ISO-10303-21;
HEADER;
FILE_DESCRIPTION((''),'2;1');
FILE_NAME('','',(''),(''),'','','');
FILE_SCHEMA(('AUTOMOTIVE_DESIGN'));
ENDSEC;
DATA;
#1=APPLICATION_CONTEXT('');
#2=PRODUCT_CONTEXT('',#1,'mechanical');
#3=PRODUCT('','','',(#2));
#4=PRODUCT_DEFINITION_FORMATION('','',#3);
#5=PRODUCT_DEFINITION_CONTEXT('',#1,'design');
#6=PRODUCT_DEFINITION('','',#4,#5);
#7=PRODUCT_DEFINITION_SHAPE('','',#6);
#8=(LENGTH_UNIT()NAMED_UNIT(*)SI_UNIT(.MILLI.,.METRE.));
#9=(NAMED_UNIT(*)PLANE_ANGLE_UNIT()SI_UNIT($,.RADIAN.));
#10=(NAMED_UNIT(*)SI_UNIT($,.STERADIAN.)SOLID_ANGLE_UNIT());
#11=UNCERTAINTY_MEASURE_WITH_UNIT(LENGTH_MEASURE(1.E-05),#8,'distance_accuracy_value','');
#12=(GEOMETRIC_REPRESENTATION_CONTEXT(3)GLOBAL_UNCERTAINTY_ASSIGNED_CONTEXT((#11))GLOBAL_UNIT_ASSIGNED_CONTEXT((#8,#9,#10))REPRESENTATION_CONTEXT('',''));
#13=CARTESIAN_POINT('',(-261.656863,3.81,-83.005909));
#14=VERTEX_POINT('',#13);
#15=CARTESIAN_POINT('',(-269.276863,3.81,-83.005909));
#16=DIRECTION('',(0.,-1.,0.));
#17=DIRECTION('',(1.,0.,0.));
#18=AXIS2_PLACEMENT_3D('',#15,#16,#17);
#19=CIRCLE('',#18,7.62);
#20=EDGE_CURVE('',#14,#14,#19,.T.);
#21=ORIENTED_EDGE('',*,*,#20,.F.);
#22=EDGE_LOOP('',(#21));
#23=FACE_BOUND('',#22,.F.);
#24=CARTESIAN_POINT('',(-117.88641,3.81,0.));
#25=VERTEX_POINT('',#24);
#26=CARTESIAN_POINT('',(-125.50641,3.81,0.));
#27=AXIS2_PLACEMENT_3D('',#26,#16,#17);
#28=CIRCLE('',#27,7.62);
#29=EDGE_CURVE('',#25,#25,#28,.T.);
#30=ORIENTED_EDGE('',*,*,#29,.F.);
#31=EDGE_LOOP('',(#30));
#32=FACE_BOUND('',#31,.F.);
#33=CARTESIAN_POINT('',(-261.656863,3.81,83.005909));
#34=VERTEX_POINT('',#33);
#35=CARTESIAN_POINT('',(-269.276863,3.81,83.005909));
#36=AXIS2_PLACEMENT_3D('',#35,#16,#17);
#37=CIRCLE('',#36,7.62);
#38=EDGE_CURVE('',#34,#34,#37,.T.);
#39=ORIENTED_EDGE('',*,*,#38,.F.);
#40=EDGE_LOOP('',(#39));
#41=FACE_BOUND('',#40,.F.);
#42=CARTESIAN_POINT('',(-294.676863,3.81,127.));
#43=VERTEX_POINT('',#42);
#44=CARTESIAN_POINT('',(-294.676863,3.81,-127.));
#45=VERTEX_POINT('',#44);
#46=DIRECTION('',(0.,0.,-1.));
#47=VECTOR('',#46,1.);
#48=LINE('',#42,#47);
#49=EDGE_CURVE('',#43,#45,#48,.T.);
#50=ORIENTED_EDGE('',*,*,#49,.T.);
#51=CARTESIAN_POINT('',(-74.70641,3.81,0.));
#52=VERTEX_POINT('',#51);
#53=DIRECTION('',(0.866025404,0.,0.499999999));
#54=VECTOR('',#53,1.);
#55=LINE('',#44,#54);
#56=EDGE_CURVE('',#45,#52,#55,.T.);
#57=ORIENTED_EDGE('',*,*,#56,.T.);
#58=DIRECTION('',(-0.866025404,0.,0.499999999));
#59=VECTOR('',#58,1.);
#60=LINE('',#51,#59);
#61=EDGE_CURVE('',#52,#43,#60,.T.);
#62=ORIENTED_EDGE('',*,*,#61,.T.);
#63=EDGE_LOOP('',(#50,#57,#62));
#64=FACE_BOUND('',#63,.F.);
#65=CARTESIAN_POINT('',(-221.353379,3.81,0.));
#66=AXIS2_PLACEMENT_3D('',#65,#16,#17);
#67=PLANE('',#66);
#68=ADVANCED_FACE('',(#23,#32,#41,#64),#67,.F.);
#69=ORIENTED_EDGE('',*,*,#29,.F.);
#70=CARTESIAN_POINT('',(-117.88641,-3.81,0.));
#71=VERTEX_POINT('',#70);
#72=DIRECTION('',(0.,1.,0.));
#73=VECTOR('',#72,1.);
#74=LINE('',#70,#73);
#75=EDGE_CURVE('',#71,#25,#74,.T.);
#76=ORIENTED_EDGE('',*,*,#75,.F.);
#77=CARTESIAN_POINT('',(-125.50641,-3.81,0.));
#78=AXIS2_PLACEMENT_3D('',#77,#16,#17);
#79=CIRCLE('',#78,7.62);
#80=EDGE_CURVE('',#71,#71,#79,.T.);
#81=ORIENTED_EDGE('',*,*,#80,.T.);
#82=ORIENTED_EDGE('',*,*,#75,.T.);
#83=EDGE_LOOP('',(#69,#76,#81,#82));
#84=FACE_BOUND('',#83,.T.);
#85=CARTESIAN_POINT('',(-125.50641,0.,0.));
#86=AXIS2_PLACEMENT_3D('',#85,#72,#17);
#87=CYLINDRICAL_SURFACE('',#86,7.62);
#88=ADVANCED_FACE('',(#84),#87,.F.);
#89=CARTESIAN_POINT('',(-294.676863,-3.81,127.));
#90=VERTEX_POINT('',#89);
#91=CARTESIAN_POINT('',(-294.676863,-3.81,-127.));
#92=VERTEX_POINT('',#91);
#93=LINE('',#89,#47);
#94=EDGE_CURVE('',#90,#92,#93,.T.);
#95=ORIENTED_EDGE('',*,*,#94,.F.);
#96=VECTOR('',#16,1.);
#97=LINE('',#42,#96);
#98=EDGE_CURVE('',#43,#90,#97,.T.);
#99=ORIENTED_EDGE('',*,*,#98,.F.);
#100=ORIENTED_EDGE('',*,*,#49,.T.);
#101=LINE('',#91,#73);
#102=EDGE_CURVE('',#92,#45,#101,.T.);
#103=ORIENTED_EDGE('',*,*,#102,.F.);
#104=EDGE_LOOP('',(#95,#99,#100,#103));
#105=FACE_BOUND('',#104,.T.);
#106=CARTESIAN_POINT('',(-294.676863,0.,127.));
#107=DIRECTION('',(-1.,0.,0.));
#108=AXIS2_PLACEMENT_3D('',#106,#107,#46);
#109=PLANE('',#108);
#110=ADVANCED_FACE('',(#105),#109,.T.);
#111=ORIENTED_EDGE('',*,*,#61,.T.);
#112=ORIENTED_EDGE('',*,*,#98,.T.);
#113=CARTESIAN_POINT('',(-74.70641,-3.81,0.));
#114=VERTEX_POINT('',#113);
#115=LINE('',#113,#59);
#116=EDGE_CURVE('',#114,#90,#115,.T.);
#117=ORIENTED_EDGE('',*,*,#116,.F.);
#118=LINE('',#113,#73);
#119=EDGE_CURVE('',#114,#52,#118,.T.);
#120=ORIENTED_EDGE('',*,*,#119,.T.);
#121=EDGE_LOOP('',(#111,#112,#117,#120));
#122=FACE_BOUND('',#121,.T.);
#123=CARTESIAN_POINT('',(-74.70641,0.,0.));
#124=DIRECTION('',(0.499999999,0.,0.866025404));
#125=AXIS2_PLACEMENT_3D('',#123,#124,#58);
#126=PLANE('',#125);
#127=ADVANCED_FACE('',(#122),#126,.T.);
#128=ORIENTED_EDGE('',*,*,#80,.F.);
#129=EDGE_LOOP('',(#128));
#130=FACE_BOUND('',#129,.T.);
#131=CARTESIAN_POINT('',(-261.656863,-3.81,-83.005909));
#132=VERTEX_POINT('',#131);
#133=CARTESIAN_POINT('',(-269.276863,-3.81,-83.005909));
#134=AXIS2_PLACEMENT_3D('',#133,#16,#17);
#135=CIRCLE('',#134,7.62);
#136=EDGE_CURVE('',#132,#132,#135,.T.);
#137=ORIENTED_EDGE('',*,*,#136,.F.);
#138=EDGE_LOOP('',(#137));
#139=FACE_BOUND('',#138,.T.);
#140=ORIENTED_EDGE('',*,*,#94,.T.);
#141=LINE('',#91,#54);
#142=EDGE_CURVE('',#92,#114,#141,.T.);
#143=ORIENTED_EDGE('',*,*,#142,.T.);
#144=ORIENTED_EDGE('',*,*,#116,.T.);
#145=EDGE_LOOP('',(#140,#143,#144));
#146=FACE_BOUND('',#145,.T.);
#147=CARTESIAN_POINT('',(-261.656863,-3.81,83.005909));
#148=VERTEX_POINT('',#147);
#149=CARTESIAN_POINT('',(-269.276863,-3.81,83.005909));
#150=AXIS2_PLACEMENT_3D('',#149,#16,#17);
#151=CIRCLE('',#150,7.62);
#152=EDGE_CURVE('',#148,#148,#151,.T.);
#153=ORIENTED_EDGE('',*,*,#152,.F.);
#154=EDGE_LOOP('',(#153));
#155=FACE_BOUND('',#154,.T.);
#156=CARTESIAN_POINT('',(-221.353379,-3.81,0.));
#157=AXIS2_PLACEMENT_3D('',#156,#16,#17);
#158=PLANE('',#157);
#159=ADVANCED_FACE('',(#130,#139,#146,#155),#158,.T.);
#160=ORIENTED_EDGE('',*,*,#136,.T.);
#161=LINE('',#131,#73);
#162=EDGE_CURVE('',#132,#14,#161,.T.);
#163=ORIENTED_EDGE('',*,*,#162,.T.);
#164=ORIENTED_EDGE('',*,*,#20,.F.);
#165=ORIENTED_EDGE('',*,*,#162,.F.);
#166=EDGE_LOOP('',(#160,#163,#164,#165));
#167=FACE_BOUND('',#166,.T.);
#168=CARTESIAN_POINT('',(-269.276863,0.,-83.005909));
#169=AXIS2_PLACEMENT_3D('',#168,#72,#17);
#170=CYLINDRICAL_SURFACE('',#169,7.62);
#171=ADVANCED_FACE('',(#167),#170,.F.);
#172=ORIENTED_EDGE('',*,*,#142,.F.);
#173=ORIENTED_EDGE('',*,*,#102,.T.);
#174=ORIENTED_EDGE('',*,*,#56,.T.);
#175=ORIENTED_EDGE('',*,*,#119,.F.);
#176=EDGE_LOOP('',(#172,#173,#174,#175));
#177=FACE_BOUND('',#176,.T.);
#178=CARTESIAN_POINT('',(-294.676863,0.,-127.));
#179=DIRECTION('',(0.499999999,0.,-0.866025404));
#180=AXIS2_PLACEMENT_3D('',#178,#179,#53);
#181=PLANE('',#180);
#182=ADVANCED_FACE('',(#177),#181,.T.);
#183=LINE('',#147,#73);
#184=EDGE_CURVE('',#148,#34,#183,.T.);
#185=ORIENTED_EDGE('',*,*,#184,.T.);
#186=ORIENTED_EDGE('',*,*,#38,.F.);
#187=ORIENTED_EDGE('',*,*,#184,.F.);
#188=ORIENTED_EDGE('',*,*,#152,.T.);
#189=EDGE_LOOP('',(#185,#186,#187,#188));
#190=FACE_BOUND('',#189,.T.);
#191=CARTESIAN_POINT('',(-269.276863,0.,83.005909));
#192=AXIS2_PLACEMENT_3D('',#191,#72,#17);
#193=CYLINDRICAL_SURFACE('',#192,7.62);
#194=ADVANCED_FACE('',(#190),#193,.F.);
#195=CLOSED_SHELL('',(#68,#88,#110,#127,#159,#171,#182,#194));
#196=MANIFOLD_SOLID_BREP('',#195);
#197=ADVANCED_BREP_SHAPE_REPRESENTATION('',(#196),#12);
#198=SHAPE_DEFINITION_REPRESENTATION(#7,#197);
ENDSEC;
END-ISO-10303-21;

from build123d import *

# Parameters (mm, degrees)
F0_R     = 7.62
F1_DEPTH = 3.81
F2_DEPTH = 3.81


with BuildPart() as f1:
    # F0 (on Front) → F1 (new body, symmetric)
    with BuildSketch(Plane.XZ):
        Polygon((-74.70641, 0), (-294.676863, 127), (-294.676863, -127), align=None)
        with Locations((-269.276863, -83.005909)):
            Circle(F0_R, mode=Mode.SUBTRACT)
        with Locations((-269.276863, 83.005909)):
            Circle(F0_R, mode=Mode.SUBTRACT)
        with Locations((-125.50641, 0)):
            Circle(F0_R, mode=Mode.SUBTRACT)
    extrude(amount=F1_DEPTH, both=True)


with BuildPart() as f2:
    # F0 (on Front) → F2 (new body, symmetric)
    with BuildSketch(Plane.XZ):
        with Locations((-269.276863, 83.005909)):
            Circle(F0_R)
        with Locations((-125.50641, 0)):
            Circle(F0_R)
        with Locations((-269.276863, -83.005909)):
            Circle(F0_R)
    extrude(amount=F2_DEPTH, both=True)


with BuildPart() as f1_1:
    add(f1.part)

    # F3: cut F2
    add(f2.part, mode=Mode.SUBTRACT)


solid = f1_1.part
